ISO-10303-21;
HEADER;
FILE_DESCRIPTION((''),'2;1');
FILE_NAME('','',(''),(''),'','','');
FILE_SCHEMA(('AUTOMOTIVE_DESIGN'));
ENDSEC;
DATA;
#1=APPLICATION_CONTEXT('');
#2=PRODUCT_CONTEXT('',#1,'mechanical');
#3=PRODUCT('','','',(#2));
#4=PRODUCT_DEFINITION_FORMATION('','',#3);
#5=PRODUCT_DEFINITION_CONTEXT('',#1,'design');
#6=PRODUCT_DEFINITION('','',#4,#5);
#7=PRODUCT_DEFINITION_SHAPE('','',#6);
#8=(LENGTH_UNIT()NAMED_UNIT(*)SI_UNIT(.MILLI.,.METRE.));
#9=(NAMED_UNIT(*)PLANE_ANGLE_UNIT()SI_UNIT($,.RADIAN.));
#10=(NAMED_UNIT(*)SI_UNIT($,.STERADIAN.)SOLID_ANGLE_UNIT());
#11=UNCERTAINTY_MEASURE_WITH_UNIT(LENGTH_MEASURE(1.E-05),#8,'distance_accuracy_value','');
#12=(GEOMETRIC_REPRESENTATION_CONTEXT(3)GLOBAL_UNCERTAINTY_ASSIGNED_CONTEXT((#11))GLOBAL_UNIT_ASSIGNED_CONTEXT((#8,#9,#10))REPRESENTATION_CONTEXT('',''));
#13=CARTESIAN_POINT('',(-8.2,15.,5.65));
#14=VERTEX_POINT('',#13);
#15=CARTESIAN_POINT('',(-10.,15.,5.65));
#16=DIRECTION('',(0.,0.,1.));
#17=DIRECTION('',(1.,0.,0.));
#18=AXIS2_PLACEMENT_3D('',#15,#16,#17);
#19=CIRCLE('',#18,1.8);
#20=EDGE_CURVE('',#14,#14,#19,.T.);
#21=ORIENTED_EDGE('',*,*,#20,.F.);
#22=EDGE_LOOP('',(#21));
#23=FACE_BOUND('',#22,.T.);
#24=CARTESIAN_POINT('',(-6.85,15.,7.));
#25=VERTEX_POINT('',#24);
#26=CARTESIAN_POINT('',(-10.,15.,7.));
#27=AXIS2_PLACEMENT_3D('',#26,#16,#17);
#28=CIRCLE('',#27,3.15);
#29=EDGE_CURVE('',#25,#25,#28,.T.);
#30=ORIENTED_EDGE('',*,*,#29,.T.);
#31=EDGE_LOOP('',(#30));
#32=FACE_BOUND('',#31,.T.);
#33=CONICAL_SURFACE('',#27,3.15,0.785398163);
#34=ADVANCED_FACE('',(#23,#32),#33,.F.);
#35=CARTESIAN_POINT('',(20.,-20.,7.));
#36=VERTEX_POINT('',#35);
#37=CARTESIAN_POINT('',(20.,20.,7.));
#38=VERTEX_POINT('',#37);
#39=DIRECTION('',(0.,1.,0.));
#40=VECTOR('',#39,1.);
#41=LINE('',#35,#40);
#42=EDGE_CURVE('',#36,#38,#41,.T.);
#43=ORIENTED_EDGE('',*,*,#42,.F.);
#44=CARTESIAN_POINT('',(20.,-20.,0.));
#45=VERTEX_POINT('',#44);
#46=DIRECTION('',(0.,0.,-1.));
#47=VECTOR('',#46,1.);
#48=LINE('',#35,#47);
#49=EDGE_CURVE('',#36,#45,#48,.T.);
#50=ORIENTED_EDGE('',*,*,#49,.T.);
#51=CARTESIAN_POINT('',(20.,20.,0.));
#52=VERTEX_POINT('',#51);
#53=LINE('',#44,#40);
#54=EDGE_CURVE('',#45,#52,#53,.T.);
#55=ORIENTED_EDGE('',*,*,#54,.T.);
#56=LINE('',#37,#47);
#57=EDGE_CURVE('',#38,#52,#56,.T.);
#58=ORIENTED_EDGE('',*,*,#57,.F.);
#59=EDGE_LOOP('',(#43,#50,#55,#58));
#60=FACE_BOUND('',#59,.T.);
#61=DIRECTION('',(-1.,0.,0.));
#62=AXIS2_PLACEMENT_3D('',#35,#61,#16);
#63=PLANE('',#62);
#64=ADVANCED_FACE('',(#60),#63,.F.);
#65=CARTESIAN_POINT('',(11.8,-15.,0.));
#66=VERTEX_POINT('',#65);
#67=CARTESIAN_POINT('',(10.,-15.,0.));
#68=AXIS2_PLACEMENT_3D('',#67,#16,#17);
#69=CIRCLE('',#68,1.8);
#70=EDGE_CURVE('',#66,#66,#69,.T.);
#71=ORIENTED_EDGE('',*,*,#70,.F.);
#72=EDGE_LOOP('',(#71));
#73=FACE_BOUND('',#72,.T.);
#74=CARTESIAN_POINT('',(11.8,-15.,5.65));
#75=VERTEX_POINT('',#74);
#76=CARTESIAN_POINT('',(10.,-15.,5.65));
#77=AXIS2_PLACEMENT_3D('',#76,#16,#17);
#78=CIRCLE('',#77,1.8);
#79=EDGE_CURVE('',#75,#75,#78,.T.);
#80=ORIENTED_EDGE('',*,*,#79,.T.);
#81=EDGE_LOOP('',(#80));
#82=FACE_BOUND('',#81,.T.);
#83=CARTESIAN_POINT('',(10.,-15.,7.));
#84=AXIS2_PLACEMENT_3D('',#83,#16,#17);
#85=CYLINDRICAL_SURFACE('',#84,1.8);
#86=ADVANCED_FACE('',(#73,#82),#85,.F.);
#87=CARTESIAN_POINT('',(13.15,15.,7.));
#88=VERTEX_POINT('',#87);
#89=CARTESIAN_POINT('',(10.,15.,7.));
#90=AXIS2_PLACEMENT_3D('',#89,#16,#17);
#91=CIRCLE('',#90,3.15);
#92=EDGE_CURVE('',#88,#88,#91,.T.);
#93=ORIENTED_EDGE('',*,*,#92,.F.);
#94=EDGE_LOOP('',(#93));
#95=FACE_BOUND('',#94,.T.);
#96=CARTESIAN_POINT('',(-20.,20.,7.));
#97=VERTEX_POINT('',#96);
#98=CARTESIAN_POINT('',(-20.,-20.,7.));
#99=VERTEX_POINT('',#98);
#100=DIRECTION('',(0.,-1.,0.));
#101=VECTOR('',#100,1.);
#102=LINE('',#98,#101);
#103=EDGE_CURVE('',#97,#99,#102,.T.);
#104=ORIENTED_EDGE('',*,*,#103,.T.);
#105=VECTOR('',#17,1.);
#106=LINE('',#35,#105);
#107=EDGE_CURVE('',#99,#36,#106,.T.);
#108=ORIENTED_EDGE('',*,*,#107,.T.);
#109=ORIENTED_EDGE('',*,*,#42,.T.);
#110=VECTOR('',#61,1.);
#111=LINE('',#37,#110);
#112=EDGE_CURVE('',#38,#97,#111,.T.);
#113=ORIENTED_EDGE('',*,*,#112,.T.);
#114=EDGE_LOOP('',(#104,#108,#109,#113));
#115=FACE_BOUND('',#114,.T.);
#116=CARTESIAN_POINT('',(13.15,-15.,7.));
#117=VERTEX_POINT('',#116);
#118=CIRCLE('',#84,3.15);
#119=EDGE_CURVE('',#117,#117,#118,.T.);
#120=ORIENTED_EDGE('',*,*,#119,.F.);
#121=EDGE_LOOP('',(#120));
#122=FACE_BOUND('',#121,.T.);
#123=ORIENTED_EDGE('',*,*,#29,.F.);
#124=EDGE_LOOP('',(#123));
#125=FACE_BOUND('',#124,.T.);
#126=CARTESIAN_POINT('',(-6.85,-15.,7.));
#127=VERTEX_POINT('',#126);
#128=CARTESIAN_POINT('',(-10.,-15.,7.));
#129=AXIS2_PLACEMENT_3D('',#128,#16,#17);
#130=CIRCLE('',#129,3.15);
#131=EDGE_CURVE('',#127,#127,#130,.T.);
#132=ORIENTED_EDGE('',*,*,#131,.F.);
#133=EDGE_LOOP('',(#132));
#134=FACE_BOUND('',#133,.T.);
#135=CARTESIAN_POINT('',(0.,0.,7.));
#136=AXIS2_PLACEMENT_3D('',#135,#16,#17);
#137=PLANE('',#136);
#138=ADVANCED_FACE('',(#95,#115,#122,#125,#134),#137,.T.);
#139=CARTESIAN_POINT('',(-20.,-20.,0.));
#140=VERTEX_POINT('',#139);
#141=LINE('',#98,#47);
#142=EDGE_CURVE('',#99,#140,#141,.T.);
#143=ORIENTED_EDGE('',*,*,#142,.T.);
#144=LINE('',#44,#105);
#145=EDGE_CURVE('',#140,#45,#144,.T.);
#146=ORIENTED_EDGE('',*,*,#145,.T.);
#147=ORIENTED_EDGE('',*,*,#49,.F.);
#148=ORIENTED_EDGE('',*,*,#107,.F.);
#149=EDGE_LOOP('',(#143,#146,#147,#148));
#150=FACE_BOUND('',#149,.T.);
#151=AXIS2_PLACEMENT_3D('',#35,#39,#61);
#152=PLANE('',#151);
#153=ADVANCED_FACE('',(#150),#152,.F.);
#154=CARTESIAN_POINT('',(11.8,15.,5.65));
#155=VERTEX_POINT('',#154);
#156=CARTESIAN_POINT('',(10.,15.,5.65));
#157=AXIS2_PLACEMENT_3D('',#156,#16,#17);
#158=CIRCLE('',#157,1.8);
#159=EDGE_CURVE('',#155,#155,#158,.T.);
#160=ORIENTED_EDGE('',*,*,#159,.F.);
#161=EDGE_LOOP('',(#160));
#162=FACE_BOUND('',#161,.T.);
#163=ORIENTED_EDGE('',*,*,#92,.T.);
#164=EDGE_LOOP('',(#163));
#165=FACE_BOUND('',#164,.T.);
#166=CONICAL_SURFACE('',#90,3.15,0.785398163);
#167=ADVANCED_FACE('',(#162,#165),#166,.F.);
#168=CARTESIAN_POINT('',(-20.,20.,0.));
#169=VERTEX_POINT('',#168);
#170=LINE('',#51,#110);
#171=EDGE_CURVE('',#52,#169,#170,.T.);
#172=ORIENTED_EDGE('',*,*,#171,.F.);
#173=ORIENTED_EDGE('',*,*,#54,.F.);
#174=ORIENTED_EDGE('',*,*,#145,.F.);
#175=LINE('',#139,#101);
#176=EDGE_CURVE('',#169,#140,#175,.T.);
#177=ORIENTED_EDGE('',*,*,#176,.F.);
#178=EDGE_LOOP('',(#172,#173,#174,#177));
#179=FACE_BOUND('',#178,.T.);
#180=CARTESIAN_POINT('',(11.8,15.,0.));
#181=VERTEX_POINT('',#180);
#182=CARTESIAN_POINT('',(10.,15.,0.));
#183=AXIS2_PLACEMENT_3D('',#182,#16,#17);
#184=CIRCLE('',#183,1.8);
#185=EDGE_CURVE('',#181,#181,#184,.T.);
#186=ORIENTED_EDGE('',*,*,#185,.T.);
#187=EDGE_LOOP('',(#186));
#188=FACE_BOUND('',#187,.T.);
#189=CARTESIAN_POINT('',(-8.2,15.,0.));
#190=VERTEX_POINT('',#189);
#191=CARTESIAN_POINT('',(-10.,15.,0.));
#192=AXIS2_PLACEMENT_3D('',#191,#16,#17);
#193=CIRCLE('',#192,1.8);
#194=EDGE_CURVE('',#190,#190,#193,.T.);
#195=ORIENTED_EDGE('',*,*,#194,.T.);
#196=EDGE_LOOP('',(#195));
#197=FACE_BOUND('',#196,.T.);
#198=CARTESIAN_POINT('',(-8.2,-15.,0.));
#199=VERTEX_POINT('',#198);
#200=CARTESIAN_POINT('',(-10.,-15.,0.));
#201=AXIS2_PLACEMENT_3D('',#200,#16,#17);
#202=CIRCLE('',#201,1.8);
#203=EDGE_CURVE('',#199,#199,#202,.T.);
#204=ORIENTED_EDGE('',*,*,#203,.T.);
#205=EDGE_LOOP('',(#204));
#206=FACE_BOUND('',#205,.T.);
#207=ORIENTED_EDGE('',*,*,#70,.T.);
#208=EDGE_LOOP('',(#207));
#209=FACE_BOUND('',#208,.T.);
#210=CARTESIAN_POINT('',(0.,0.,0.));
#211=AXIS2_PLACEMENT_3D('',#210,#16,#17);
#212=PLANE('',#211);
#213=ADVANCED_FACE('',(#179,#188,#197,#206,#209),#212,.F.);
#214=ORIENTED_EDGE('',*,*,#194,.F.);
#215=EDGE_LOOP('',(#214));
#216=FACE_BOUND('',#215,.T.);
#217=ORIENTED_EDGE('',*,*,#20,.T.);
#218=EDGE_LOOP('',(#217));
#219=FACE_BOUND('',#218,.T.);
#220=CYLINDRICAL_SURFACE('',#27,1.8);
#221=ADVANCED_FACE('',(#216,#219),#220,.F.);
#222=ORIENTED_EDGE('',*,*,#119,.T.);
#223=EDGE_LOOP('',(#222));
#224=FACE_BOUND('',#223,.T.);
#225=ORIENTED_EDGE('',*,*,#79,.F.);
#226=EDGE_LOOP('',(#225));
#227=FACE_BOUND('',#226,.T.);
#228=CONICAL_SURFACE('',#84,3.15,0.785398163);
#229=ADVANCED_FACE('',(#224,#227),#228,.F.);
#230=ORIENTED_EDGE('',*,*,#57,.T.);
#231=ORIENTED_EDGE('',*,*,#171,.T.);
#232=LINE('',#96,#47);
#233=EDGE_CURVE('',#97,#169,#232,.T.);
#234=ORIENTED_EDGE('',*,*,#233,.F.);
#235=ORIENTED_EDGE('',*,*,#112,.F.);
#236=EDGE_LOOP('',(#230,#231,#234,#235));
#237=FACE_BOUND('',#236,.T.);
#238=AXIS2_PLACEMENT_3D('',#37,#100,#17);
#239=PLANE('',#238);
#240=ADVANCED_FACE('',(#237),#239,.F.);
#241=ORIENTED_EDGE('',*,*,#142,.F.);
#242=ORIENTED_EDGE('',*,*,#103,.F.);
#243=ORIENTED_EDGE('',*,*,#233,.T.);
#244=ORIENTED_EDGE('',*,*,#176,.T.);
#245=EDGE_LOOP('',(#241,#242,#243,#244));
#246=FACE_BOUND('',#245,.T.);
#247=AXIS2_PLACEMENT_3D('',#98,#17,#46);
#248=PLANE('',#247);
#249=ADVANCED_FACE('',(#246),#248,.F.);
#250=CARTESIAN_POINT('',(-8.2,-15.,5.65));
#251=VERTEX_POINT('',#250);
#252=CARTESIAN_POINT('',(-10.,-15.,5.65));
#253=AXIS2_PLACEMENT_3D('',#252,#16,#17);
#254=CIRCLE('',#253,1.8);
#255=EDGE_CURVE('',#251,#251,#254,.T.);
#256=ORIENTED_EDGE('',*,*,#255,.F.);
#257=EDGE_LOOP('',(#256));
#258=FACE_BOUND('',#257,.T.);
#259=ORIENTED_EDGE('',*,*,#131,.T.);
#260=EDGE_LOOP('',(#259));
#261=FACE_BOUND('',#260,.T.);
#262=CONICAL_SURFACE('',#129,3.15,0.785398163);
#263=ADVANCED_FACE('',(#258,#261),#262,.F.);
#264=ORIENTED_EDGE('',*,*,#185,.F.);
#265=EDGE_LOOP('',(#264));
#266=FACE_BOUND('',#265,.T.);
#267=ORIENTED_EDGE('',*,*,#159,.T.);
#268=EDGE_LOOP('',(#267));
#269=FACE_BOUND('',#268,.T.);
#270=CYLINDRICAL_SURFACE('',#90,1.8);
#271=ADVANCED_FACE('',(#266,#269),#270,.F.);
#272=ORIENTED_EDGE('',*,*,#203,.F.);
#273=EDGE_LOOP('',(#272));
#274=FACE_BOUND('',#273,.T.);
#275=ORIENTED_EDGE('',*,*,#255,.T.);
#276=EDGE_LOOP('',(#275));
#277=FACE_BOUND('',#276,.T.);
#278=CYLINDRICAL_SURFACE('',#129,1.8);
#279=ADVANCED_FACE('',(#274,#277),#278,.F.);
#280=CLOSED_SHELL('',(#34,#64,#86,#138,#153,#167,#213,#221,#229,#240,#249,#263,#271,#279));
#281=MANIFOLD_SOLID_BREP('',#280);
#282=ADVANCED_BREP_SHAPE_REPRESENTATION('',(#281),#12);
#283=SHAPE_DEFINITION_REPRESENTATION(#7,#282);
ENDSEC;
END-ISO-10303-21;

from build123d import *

# Parameters (mm, degrees)
SCHIZZO1_W                   = 40
SCHIZZO1_H                   = 40
ESTRUSIONE_ESTRUSIONE1_DEPTH = 7
RIPETIZIONE_A_L1_COUNT       = 2
RIPETIZIONE_A_L1_PITCH       = 20
RIPETIZIONE_A_L1_COUNT_DIR2  = 2
RIPETIZIONE_A_L1_PITCH_DIR2  = 30


with BuildPart() as part:
    # Schizzo1 → Estrusione-Estrusione1 (new body)
    with BuildSketch(Plane.XY):
        Rectangle(SCHIZZO1_W, SCHIZZO1_H)
    extrude(amount=ESTRUSIONE_ESTRUSIONE1_DEPTH)

    # Schizzo4 → Foro svasato per Vite M3-1 (revolve, cut)
    with BuildSketch(Plane(origin=(-10, 15, 7), x_dir=(0, -1, 0), z_dir=(1, 0, 0))):
        Polygon((0, 0), (0, 11.081549114), (1.8, 10), (1.8, 1.35), (3.15, 0), align=None)
    foro_svasato_per_vite_m3_1 = revolve(axis=Axis((-10, 15, 13.35), (0, 0, -1)), mode=Mode.SUBTRACT)

    # Ripetizione a L1: Foro svasato per Vite M3-1 2 × 2
    with Locations(*[(i * RIPETIZIONE_A_L1_PITCH, -j * RIPETIZIONE_A_L1_PITCH_DIR2, 0) for i in range(RIPETIZIONE_A_L1_COUNT) for j in range(RIPETIZIONE_A_L1_COUNT_DIR2) if (i, j) != (0, 0)]):
        add(foro_svasato_per_vite_m3_1, mode=Mode.SUBTRACT)


solid = part.part
